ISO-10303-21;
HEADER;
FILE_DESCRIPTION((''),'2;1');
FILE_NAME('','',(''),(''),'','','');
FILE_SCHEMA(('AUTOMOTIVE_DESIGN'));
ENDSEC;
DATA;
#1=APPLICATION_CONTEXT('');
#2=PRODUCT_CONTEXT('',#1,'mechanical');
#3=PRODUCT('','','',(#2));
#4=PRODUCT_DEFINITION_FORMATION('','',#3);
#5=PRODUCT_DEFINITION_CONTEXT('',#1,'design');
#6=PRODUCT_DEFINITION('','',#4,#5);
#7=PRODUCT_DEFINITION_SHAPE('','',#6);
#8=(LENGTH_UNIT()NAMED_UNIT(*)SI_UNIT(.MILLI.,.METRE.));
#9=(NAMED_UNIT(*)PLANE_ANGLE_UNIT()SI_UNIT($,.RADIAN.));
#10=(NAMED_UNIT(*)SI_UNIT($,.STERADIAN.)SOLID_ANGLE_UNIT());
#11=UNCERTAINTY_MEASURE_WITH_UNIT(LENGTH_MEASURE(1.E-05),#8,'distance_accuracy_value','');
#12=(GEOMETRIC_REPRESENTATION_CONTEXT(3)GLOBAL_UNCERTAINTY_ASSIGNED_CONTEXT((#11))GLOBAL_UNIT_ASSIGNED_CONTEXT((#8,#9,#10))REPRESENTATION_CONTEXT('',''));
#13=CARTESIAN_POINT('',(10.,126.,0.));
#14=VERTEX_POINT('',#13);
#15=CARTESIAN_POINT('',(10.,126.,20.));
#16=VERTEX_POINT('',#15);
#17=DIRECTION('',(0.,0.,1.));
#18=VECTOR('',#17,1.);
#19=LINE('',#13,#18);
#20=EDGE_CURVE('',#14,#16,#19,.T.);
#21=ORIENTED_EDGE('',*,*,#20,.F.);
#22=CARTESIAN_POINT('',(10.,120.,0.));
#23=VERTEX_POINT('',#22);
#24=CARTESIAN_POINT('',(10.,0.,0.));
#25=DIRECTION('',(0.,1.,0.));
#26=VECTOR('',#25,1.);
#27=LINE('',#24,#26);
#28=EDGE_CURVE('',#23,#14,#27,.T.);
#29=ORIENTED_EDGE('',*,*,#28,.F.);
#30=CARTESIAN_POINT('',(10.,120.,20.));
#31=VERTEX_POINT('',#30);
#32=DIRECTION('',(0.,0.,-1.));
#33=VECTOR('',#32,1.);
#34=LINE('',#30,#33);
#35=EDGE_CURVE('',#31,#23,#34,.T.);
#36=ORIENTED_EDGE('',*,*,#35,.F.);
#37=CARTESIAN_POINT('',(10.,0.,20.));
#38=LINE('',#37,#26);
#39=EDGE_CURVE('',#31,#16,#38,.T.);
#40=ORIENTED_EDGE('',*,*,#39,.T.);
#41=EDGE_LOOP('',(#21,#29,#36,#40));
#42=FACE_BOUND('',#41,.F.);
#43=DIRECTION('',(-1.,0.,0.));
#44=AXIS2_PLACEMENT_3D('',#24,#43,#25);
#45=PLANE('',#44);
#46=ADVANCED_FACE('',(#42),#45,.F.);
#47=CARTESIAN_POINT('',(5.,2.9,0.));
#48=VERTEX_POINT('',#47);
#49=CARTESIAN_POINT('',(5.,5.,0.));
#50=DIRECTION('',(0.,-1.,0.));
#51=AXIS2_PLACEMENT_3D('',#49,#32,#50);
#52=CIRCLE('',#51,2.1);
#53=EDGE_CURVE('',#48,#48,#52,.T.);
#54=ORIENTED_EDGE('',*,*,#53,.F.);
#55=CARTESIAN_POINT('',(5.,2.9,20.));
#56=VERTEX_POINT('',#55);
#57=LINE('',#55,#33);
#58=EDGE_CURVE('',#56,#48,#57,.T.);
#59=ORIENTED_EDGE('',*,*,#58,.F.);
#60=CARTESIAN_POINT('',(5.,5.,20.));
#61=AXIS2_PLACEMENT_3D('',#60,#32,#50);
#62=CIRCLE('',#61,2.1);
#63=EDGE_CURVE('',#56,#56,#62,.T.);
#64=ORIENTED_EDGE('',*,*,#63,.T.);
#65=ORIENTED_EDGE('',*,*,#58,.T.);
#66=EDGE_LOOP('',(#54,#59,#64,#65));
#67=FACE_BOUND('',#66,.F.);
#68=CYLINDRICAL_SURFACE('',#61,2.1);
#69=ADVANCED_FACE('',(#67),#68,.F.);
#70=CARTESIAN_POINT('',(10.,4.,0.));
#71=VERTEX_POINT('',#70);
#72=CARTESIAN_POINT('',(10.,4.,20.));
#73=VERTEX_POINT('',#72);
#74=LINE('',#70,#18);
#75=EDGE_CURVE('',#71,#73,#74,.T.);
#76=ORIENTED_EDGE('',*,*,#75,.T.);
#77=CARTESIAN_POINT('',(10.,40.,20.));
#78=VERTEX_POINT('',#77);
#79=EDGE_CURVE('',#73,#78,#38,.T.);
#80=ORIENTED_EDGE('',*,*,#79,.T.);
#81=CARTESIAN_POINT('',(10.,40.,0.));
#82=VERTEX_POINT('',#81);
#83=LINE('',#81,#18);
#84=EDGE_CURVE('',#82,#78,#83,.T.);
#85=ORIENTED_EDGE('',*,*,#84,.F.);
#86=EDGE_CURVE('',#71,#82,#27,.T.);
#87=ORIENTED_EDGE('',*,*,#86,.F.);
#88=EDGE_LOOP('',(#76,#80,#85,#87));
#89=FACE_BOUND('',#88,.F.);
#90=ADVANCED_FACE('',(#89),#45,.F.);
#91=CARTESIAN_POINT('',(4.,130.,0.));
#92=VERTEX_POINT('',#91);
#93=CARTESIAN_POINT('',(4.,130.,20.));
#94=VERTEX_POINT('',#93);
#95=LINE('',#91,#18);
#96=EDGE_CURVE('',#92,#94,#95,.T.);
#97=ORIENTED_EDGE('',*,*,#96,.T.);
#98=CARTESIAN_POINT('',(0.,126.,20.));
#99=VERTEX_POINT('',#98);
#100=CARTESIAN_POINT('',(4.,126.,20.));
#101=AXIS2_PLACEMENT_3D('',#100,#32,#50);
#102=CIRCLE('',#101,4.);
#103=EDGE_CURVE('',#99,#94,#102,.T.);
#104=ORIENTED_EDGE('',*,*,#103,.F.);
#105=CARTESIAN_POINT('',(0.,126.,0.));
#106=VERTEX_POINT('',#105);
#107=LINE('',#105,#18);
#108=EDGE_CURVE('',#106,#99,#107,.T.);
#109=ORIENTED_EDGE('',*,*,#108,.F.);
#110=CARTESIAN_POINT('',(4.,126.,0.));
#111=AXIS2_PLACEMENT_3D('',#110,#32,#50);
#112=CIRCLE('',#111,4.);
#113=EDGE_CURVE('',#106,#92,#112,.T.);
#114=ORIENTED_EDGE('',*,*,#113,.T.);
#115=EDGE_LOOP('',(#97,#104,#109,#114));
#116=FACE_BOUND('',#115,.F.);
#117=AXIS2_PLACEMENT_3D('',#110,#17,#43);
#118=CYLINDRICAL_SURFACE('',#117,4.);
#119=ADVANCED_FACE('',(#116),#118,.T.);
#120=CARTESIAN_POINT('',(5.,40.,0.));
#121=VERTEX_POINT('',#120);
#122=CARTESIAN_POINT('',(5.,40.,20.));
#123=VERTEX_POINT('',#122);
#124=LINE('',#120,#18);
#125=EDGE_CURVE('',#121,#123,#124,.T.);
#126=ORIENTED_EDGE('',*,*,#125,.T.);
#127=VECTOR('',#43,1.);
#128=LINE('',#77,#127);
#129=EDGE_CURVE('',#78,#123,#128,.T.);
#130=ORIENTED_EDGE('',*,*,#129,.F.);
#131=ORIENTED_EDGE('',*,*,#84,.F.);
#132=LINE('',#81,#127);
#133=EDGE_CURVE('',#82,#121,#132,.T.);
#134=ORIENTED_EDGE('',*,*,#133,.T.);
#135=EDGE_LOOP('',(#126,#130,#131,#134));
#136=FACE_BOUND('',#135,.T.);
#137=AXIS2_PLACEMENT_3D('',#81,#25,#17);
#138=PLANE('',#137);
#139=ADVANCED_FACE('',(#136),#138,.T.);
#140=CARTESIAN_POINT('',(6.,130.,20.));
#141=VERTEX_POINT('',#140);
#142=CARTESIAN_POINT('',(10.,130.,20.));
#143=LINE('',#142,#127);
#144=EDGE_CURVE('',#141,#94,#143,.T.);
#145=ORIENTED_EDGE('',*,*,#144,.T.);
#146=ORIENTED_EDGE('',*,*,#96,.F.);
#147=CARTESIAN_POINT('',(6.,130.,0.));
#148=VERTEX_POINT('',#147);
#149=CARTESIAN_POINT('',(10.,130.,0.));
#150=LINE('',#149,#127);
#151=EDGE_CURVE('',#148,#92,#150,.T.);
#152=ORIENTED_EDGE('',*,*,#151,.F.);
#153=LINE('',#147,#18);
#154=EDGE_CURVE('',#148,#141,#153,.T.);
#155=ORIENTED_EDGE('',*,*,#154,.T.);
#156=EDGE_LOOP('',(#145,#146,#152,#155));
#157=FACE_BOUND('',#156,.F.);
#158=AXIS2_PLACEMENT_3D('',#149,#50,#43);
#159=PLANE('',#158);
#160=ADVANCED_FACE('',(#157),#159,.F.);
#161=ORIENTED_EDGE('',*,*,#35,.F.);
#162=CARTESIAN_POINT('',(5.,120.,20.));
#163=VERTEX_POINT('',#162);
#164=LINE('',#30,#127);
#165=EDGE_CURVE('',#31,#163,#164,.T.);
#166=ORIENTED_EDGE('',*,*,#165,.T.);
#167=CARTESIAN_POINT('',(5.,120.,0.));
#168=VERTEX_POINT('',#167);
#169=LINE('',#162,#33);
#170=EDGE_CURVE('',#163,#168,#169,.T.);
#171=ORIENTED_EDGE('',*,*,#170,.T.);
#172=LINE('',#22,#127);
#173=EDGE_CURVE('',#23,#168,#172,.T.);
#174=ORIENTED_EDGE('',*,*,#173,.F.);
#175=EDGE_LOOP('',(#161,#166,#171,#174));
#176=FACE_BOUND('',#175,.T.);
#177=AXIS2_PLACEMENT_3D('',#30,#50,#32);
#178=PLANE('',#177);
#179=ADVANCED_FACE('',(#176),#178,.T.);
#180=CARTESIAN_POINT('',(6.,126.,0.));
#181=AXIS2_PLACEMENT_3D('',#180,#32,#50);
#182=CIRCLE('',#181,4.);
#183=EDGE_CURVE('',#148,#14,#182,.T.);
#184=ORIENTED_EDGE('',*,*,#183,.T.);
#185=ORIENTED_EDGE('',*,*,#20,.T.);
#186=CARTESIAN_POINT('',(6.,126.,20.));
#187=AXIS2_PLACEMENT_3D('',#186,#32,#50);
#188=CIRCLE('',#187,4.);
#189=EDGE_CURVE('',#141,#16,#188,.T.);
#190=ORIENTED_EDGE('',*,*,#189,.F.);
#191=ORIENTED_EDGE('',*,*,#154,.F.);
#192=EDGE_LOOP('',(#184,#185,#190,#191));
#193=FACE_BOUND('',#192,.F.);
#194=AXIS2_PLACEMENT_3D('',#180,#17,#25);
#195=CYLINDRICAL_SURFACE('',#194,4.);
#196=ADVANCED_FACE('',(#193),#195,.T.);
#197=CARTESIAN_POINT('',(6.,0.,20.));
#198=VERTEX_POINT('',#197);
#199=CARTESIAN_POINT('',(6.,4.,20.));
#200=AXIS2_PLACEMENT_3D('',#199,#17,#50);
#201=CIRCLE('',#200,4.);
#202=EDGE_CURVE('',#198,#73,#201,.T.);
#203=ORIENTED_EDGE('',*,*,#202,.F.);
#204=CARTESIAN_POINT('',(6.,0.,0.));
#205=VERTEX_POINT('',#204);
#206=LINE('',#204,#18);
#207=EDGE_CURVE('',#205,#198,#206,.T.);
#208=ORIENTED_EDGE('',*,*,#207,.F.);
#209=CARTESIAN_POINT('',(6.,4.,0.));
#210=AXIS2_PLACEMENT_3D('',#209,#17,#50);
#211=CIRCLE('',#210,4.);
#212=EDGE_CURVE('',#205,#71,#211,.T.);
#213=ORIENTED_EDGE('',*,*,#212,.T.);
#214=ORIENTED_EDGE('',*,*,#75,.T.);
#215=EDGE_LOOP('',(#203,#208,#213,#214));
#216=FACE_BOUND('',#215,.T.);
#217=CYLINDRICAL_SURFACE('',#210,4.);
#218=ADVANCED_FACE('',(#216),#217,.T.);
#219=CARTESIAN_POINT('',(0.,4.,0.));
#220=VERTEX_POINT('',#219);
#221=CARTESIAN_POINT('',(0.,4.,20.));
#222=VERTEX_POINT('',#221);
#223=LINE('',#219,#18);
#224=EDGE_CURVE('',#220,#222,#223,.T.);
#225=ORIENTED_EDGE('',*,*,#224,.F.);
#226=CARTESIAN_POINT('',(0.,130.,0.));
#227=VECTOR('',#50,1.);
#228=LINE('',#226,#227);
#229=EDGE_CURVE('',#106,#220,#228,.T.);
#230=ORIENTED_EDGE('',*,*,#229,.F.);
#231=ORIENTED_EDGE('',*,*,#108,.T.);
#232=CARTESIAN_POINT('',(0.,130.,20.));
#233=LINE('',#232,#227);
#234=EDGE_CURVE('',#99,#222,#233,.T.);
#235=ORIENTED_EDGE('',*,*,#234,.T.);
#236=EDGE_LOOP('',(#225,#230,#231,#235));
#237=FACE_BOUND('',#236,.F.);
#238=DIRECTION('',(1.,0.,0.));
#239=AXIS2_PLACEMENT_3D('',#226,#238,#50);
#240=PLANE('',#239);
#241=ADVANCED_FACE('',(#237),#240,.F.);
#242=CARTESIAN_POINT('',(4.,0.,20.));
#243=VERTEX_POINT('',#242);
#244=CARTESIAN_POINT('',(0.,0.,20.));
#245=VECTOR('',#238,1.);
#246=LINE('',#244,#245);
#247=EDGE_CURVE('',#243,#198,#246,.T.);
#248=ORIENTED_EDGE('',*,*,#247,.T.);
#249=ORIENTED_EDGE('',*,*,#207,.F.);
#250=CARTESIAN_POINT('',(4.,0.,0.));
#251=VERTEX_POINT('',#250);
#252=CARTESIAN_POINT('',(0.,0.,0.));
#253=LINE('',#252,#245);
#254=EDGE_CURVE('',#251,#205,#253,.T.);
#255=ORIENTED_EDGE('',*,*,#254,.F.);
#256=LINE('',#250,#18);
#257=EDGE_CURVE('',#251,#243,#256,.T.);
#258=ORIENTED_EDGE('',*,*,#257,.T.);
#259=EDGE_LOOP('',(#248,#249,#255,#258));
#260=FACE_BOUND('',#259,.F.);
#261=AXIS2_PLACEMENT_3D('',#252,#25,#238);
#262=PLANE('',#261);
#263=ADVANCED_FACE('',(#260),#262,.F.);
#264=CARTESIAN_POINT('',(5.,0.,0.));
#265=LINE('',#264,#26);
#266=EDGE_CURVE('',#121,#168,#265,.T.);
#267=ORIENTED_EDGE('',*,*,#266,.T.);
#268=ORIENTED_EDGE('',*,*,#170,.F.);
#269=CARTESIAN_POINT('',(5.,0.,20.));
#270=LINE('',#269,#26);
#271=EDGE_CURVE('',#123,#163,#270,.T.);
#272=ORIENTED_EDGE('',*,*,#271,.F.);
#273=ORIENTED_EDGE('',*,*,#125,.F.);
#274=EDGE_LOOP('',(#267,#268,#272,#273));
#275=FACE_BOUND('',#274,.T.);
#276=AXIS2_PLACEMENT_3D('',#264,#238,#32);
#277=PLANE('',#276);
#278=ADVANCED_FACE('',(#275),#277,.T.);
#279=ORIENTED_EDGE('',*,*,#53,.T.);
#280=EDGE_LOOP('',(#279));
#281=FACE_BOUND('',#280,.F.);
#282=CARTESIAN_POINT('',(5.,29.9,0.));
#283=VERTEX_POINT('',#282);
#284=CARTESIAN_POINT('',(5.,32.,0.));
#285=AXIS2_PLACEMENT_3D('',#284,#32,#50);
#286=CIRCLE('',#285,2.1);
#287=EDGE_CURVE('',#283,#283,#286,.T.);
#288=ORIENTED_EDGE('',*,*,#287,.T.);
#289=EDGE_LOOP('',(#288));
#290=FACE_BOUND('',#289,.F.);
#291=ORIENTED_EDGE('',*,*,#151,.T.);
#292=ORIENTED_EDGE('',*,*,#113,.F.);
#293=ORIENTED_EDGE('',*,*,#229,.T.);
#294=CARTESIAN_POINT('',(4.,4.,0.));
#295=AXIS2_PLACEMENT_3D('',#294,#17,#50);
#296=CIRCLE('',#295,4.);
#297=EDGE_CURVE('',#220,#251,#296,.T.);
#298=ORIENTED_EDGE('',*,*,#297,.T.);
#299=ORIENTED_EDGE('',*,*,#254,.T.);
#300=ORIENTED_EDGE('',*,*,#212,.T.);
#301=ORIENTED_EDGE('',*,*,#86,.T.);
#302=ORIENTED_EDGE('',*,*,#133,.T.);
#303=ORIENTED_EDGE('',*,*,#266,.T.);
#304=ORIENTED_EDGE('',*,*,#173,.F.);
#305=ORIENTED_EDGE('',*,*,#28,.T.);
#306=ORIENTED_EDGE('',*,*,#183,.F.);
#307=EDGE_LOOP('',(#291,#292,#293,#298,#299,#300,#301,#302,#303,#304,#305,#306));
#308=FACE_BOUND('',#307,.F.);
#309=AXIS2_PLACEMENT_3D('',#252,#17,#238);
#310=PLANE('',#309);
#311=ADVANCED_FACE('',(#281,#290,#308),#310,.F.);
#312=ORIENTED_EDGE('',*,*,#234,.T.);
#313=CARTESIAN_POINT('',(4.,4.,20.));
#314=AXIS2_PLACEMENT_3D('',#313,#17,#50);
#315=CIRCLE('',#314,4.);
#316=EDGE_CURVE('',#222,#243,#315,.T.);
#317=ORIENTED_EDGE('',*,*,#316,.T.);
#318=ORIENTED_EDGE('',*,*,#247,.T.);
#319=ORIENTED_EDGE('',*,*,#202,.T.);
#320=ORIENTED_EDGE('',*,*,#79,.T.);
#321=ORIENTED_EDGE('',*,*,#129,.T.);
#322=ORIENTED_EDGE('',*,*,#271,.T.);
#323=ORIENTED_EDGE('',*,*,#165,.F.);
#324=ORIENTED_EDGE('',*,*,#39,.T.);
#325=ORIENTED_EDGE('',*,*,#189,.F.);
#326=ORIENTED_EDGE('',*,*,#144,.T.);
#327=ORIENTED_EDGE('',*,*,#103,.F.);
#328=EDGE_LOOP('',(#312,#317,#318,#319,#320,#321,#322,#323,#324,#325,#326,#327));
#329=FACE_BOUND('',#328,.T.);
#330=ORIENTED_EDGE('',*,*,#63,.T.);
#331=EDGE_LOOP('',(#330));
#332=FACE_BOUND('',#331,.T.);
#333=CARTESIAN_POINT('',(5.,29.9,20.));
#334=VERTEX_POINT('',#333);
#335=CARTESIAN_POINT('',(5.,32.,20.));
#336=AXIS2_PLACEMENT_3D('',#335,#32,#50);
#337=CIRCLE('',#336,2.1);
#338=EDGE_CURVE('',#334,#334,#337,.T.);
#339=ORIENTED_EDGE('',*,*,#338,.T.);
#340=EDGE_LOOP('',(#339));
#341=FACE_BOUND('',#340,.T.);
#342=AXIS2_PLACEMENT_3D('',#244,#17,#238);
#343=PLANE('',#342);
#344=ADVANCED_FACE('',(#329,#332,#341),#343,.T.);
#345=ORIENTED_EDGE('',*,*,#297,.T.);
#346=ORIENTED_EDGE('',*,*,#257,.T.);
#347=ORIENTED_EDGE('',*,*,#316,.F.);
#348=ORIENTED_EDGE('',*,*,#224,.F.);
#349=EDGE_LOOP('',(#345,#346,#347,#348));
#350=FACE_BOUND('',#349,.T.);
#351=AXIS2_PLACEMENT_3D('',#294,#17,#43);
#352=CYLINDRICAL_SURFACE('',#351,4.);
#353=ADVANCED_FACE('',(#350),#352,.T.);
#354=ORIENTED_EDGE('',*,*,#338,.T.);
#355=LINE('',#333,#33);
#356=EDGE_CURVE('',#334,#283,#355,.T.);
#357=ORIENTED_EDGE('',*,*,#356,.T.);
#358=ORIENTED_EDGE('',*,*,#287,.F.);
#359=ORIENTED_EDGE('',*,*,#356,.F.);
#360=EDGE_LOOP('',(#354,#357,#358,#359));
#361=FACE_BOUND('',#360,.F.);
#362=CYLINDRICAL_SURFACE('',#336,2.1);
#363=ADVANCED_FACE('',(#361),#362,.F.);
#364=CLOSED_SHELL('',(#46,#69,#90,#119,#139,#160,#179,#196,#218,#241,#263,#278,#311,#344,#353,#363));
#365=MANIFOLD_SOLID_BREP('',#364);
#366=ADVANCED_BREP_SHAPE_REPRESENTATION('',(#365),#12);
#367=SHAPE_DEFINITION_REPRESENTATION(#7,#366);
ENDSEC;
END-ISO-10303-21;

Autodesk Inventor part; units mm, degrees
ref_plane "YZ Plane" through (0, 0, 0) normal (1, 0, 0) x (0, 1, 0)
ref_plane "XZ Plane" through (0, 0, 0) normal (0, 1, 0) x (-1, 0, 0)
ref_plane "XY Plane" through (0, 0, 0) normal (0, 0, 1) x (1, 0, 0)
sketch "スケッチ1" plane through (0, 0, 0) normal (0, 0, 1) x (1, 0, 0)
  line L0 (0, 0) -> (10, 0)
  line L1 (10, 0) -> (10, 130)
  line L2 (10, 130) -> (0, 130)
  line L3 (0, 130) -> (0, 0)
  dimension "d0" = 10
  dimension "d1" = 130
extrude "押し出し1" add sketch "スケッチ1" along normal blind 20
sketch "スケッチ2" plane through (0, 0, 20) normal (0, 0, 1) x (1, 0, 0)
  line L0 (10, 130) -> (0, 130) projected
  line L1 (5, 130) -> (5, 0) construction
  line L2 (0, 0) -> (10, 0) projected
  point P0 (5, 5)
  point P1 (5, 32)
  dimension "d4" = 27
  dimension "d5" = 5
hole "穴1" at (5, 5, 20) at (5, 32, 20) direction (0, 0, -1) diameter 4.2 depth 20
sketch "スケッチ3" plane through (10, 0, 0) normal (1, 0, 0) x (0, 0, -1)
  line L0 (-20, 0) -> (-20, 130) projected
  line L1 (0, 0) -> (0, 130) projected
  line L2 (-20, 120) -> (0, 120)
  line L3 (0, 120) -> (0, 40)
  line L4 (0, 40) -> (-20, 40)
  line L5 (-20, 40) -> (-20, 120)
  line L6 (0, 130) -> (-20, 130) projected
  point P0 (-10, 120)
  point P1 (-20, 40)
  point P2 (0, 120)
  dimension "d13" = 10
  dimension "d14" = 80
extrude "押し出し2" cut sketch "スケッチ3" against normal blind 5 contours L0 L2 L1 L4
fillet "フィレット1" radius 4 4 edges at (10, 0, 10) (0, 0, 10) (10, 130, 10) (0, 130, 10)
properties part number "finger1" material "アセタール樹脂、白"
